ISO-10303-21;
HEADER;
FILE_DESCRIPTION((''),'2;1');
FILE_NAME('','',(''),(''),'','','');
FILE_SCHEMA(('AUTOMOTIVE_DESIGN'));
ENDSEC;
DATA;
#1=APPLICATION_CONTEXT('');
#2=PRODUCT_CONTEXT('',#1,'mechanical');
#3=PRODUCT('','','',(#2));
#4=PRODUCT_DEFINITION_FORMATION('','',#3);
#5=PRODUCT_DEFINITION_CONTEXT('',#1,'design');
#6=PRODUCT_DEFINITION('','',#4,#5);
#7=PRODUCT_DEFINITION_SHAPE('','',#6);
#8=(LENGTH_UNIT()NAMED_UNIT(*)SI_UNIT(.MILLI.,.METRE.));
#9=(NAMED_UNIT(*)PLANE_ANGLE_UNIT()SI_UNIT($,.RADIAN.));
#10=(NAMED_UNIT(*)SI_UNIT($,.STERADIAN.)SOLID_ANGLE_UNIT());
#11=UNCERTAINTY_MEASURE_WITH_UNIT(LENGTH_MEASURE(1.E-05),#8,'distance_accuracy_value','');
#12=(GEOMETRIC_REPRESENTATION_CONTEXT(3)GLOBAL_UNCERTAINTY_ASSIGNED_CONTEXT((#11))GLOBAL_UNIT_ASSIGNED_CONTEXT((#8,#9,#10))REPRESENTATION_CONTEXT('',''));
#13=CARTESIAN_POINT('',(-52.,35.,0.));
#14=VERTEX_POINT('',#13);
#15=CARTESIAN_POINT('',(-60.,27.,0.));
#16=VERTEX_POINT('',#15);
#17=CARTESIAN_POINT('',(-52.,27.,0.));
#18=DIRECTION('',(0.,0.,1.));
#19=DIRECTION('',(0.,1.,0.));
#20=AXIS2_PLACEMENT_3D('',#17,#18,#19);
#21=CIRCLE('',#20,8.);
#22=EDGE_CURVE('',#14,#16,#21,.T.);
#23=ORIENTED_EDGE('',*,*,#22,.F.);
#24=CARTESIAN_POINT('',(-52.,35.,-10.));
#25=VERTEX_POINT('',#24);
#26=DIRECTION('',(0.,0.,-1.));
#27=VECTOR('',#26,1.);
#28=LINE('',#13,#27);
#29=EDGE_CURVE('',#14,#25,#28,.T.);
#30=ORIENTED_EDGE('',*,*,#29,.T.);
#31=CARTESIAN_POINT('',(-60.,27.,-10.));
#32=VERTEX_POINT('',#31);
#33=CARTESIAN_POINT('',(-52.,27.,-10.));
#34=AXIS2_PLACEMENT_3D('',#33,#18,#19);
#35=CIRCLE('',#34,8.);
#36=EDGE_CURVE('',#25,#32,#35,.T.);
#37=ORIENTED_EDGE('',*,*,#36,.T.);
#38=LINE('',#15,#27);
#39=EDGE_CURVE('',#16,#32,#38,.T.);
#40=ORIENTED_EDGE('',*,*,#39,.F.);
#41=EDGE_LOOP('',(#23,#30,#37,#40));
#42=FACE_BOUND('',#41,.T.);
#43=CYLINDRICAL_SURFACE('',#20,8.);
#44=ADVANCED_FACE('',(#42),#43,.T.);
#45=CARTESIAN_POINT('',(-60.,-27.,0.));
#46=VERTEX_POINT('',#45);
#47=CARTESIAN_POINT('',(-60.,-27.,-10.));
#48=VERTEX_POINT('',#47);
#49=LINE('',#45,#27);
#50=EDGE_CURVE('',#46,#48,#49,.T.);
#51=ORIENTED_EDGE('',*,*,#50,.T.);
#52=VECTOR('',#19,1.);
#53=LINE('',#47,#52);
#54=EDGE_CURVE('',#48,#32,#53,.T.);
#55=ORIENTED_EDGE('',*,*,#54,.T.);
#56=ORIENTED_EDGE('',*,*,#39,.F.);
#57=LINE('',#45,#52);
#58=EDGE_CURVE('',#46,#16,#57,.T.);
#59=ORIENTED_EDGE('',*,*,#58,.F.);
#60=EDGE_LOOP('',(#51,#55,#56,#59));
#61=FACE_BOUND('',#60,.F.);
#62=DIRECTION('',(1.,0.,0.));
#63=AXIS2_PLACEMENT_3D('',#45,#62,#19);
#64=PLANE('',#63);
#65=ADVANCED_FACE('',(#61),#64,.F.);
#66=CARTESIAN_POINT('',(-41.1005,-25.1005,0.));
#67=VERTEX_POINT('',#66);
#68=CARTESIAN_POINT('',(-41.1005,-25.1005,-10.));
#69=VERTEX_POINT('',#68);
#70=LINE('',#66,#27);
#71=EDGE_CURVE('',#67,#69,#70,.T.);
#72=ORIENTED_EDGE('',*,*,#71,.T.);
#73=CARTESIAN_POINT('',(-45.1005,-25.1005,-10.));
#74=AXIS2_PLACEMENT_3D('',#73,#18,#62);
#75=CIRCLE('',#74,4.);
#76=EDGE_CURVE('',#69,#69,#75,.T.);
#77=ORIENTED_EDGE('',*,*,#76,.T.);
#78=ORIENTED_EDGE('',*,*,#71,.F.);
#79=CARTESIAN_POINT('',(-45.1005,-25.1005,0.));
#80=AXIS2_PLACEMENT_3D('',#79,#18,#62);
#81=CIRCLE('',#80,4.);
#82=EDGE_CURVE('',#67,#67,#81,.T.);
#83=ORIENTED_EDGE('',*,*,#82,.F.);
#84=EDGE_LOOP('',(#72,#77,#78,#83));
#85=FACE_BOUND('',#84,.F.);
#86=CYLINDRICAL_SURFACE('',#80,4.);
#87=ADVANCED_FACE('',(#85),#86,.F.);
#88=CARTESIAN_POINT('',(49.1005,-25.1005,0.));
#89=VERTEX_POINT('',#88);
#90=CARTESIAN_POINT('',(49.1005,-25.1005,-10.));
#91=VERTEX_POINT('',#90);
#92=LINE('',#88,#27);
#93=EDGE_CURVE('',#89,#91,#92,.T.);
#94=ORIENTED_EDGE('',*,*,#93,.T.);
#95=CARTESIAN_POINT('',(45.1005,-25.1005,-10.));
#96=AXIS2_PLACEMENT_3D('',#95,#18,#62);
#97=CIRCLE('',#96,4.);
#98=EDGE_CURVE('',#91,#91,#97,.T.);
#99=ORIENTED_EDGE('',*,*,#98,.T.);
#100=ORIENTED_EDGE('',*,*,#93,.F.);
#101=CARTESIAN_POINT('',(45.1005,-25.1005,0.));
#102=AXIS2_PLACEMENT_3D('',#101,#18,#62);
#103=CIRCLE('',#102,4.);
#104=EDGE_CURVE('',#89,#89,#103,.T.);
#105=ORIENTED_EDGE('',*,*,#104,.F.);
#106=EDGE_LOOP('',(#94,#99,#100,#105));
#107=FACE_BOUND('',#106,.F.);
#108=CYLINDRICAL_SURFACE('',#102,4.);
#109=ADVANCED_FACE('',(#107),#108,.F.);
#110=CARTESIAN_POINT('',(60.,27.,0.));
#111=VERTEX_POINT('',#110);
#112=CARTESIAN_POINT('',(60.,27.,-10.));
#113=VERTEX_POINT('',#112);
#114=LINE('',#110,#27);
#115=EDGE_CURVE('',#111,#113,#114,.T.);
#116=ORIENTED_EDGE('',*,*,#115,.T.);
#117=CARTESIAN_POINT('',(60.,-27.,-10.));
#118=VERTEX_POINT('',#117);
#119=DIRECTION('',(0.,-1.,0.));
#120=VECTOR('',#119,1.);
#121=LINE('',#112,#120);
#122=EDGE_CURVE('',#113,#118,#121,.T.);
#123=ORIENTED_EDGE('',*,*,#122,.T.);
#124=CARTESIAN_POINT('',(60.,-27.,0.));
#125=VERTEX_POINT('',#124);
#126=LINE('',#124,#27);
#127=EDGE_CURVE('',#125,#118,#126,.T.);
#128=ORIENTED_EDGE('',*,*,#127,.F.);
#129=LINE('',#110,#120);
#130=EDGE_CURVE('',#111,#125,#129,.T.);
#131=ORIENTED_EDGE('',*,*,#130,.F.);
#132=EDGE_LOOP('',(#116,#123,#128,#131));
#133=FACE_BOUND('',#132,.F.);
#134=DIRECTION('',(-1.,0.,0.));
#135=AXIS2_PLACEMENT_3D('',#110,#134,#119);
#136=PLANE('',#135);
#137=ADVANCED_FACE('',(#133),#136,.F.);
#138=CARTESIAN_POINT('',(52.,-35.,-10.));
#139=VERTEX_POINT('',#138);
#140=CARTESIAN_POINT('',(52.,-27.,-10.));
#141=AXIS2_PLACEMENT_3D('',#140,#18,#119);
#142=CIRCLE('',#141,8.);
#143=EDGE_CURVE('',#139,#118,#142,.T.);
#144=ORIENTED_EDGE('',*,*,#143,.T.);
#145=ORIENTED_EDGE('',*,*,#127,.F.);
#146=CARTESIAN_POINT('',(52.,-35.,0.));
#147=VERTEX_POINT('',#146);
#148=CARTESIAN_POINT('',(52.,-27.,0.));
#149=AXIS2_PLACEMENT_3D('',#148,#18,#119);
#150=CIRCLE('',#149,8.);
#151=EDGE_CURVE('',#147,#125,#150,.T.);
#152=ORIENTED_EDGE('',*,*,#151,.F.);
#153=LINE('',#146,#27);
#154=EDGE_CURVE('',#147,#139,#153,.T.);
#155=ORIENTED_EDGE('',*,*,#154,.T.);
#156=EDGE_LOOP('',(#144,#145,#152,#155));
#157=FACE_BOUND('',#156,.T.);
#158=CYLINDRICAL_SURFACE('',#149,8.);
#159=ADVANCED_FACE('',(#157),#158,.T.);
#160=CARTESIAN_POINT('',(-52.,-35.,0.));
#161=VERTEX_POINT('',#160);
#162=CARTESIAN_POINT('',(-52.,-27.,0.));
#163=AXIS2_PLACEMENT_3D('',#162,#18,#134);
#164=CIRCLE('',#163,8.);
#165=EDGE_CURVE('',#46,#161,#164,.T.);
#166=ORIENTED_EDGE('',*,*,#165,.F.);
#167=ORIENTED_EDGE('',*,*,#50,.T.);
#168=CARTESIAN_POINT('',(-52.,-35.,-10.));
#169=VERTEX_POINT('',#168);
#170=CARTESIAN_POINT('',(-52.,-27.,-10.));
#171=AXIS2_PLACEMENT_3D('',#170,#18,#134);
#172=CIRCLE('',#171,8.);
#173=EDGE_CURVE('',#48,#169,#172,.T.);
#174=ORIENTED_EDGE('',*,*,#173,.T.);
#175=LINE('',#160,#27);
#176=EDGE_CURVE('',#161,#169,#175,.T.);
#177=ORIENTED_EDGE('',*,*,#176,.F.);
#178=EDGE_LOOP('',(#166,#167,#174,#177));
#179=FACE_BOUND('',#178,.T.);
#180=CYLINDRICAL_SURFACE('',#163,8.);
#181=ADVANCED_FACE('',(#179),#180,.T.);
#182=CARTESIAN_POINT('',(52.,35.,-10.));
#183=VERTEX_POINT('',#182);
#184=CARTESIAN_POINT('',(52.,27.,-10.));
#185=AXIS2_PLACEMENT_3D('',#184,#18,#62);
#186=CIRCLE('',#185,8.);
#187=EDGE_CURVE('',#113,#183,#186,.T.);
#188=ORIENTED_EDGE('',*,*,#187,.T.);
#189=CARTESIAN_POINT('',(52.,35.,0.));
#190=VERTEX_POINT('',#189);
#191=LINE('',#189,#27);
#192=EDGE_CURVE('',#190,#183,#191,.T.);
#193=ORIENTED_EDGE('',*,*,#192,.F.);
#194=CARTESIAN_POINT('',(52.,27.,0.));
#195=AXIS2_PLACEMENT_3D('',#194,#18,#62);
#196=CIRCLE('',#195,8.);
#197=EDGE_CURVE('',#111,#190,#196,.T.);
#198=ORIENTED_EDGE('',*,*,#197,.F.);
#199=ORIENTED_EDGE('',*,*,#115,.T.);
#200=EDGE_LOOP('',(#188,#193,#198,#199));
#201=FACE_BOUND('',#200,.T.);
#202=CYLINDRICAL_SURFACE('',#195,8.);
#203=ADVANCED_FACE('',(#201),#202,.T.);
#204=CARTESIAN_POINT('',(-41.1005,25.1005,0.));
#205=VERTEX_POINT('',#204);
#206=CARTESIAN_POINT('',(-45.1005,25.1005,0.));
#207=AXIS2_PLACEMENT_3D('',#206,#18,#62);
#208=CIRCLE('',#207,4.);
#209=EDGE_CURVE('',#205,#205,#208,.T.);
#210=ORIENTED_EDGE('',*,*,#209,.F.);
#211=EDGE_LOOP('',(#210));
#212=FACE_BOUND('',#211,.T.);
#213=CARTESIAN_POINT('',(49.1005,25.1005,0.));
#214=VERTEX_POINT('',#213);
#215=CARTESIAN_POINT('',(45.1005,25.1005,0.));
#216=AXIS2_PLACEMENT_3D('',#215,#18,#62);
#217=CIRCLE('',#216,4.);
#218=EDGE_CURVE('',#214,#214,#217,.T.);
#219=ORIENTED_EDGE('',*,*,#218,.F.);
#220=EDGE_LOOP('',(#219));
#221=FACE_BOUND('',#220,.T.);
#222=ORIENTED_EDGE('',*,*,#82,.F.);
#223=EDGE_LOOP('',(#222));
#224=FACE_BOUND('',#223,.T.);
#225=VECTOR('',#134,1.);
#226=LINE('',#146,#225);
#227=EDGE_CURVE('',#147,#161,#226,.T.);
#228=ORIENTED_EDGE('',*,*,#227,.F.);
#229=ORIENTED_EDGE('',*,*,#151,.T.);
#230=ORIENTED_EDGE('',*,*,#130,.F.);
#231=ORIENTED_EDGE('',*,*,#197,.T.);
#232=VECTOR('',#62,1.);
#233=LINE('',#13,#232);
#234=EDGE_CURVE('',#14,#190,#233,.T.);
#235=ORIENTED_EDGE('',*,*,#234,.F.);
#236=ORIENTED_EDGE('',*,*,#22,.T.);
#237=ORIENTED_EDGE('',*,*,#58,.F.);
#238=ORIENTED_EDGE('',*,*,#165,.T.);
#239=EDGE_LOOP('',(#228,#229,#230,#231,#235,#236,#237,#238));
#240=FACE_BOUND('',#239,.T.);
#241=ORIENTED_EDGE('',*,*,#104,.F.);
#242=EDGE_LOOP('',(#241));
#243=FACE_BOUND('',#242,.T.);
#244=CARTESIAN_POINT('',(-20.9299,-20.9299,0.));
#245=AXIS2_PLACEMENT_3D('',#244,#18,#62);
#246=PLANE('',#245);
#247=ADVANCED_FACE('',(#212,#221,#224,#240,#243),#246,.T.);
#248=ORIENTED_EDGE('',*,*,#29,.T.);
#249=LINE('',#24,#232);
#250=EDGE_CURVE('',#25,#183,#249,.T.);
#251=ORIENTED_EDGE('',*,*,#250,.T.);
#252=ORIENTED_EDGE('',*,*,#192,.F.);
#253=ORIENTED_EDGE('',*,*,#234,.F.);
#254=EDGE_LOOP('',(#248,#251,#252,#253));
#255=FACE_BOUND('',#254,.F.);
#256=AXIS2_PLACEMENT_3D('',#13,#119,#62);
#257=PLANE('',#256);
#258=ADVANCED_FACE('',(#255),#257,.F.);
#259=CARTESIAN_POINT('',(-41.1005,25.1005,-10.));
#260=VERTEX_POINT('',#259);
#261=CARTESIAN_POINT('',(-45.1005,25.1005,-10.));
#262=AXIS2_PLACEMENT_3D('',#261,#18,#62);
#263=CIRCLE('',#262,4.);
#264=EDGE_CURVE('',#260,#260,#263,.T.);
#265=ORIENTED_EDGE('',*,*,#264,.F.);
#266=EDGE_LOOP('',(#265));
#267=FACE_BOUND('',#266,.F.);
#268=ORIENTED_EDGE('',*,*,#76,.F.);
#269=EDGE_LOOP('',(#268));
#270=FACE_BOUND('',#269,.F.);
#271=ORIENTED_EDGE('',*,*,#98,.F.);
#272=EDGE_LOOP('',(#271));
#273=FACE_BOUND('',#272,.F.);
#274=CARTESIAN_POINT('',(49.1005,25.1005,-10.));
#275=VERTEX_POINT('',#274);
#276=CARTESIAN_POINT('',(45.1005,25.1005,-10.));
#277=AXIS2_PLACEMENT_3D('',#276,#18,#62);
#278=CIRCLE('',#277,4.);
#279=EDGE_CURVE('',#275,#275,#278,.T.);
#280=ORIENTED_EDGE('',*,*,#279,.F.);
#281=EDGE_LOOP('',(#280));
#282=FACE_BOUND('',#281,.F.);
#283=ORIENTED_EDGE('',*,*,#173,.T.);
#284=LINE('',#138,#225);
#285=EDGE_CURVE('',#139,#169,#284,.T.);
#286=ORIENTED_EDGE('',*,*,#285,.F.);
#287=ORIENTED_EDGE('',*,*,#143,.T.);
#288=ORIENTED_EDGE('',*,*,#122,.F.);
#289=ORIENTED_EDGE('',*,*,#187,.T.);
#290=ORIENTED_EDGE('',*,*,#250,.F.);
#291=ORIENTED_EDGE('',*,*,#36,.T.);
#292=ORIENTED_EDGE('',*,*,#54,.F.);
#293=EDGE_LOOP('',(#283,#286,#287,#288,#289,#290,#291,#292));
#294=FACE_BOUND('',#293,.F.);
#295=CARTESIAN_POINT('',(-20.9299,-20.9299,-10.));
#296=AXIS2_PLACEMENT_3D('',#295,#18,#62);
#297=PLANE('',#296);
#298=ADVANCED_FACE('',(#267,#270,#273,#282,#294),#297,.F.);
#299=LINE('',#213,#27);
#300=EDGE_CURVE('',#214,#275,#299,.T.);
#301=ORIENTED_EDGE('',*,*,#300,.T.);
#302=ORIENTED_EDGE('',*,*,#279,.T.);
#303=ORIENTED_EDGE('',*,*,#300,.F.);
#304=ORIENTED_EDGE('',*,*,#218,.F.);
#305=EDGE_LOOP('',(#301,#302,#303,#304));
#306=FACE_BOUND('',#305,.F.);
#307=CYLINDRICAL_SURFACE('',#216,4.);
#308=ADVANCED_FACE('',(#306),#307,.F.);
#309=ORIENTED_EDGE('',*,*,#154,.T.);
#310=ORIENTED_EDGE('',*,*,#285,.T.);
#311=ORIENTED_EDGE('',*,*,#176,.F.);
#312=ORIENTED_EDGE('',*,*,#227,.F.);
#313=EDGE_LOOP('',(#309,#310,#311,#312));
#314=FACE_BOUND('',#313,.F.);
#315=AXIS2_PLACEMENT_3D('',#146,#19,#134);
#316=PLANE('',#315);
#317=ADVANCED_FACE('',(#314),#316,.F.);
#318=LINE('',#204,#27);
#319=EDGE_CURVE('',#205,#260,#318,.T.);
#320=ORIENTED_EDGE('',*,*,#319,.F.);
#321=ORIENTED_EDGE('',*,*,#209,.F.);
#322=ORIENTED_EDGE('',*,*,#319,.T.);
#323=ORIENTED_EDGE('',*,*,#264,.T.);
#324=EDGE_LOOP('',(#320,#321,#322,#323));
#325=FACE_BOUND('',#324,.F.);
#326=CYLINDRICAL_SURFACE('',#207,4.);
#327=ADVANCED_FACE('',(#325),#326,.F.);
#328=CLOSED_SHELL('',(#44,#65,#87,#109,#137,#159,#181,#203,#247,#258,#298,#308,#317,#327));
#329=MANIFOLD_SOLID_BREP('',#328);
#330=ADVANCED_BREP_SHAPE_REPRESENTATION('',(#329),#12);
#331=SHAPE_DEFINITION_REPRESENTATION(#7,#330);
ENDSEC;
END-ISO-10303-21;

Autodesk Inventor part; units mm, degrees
ref_plane "YZ Plane" through (0, 0, 0) normal (1, 0, 0) x (0, 1, 0)
ref_plane "XZ Plane" through (0, 0, 0) normal (0, 1, 0) x (-1, 0, 0)
ref_plane "Arbeitsebene1" through (-20.9299, -20.9299, 0) normal (0, 0, 1) x (1, 0, 0)
sketch "Skizze1" plane through (-20.9299, -20.9299, 0) normal (0, 0, 1) x (1, 0, 0)
  line L0 (20.9299, -14.0701) -> (20.9299, 18.6776) construction
  arc A0 (20.9299, 18.6776) -> (20.396, 18.5231) centre (20.9299, 17.6776) ccw construction
  line L1 (20.396, 18.5231) -> (14.9332, 15.0736) construction
  arc A1 (13.0645, 18.033) -> (14.9332, 15.0736) centre (13.9988, 16.5533) ccw construction
  line L2 (13.0645, 18.033) -> (16.3132, 20.0844) construction
  arc A2 (16.3132, 20.0844) -> (16.3132, 21.7755) centre (15.7793, 20.9299) ccw construction
  line L3 (16.3132, 21.7755) -> (13.0645, 23.8269) construction
  arc A3 (14.9332, 26.7863) -> (13.0645, 23.8269) centre (13.9988, 25.3066) ccw construction
  line L4 (14.9332, 26.7863) -> (20.396, 23.3368) construction
  arc A4 (20.396, 23.3368) -> (21.4638, 23.3368) centre (20.9299, 24.1823) ccw construction
  line L5 (21.4638, 23.3368) -> (26.9267, 26.7863) construction
  arc A5 (28.7954, 23.8269) -> (26.9267, 26.7863) centre (27.861, 25.3066) ccw construction
  line L6 (28.7954, 23.8269) -> (25.5466, 21.7755) construction
  arc A6 (25.5466, 21.7755) -> (25.0805, 20.9299) centre (26.0805, 20.9299) ccw construction
  line L7 (25.0805, 20.9299) -> (68.3299, 20.9299) construction
  arc A7 (73.5299, 20.9299) -> (68.3299, 20.9299) centre (70.9299, 20.9299) ccw construction
  line L8 (73.5299, 20.9299) -> (80.9299, 20.9299) construction
  line L9 (80.9299, 20.9299) -> (80.9299, 47.9299) construction
  arc A8 (80.9299, 47.9299) -> (72.9299, 55.9299) centre (72.9299, 47.9299) ccw construction
  line L10 (72.9299, 55.9299) -> (-31.0701, 55.9299) construction
  arc A9 (-31.0701, 55.9299) -> (-39.0701, 47.9299) centre (-31.0701, 47.9299) ccw construction
  line L11 (-39.0701, 47.9299) -> (-39.0701, -6.0701) construction
  arc A10 (-39.0701, -6.0701) -> (-31.0701, -14.0701) centre (-31.0701, -6.0701) ccw construction
  line L12 (-31.0701, -14.0701) -> (20.9299, -14.0701) construction
  circle A11 centre (66.0304, 46.0304) radius 4.5 construction
  line L13 (39.6792, 34.7549) -> (74.3619, 34.7549) construction
  line L14 (74.3619, 34.7549) -> (74.3619, 33.2249) construction
  line L15 (74.3619, 33.2249) -> (39.6792, 33.2249) construction
  arc A12 (37.6256, 34.6486) -> (39.6792, 33.2249) centre (39.6792, 35.4179) ccw construction
  arc A13 (37.6256, 34.6486) -> (32.6949, 33.7349) centre (35.2449, 33.7349) ccw construction
  line L16 (32.6949, 33.7349) -> (32.6949, 28.1249) construction
  arc A14 (32.6949, 28.1249) -> (35.2449, 25.5749) centre (35.2449, 28.1249) ccw construction
  arc A15 (35.2449, 25.5749) -> (37.629, 27.2201) centre (35.2449, 28.1249) ccw construction
  arc A16 (39.6792, 28.6349) -> (37.629, 27.2201) centre (39.6793, 26.4419) ccw construction
  line L17 (39.6792, 28.6349) -> (39.8859, 28.6349) construction
  line L18 (39.8859, 28.6349) -> (74.3619, 28.6349) construction
  line L19 (74.3619, 28.6349) -> (74.3619, 27.1049) construction
  line L20 (74.3619, 27.1049) -> (39.6792, 27.1049) construction
  arc A17 (39.6792, 27.1049) -> (39.0618, 26.6833) centre (39.6792, 26.4419) ccw construction
  arc A18 (31.1649, 28.1249) -> (39.0618, 26.6833) centre (35.2449, 28.1249) ccw construction
  line L21 (31.1649, 28.1249) -> (31.1649, 33.7349) construction
  arc A19 (39.0618, 35.1765) -> (31.1649, 33.7349) centre (35.2449, 33.7349) ccw construction
  arc A20 (39.0618, 35.1765) -> (39.6792, 34.7549) centre (39.6792, 35.4179) ccw construction
  line L22 (2.1806, 27.1049) -> (-32.5021, 27.1049) construction
  line L23 (-32.5021, 27.1049) -> (-32.5021, 28.6349) construction
  line L24 (-32.5021, 28.6349) -> (2.1806, 28.6349) construction
  arc A21 (4.2342, 27.2113) -> (2.1806, 28.6349) centre (2.1806, 26.4419) ccw construction
  arc A22 (4.2342, 27.2113) -> (9.1649, 28.1249) centre (6.6149, 28.1249) ccw construction
  line L25 (9.1649, 28.1249) -> (9.1649, 33.7349) construction
  arc A23 (9.1649, 33.7349) -> (6.6149, 36.2849) centre (6.6149, 33.7349) ccw construction
  arc A24 (6.6149, 36.2849) -> (4.2309, 34.6398) centre (6.6149, 33.7349) ccw construction
  arc A25 (2.1806, 33.2249) -> (4.2309, 34.6398) centre (2.1806, 35.4179) ccw construction
  line L26 (2.1806, 33.2249) -> (1.9739, 33.2249) construction
  line L27 (1.9739, 33.2249) -> (-32.5021, 33.2249) construction
  line L28 (-32.5021, 33.2249) -> (-32.5021, 34.7549) construction
  line L29 (-32.5021, 34.7549) -> (2.1806, 34.7549) construction
  arc A26 (2.1806, 34.7549) -> (2.7981, 35.1765) centre (2.1806, 35.4179) ccw construction
  arc A27 (10.6949, 33.7349) -> (2.7981, 35.1765) centre (6.6149, 33.7349) ccw construction
  line L30 (10.6949, 33.7349) -> (10.6949, 28.1249) construction
  arc A28 (2.7981, 26.6833) -> (10.6949, 28.1249) centre (6.6149, 28.1249) ccw construction
  arc A29 (2.7981, 26.6833) -> (2.1806, 27.1049) centre (2.1806, 26.4419) ccw construction
  line L31 (2.1806, 7.1049) -> (-32.5021, 7.1049) construction
  line L32 (-32.5021, 7.1049) -> (-32.5021, 8.6349) construction
  line L33 (-32.5021, 8.6349) -> (2.1806, 8.6349) construction
  arc A30 (4.2342, 7.2113) -> (2.1806, 8.6349) centre (2.1806, 6.4419) ccw construction
  arc A31 (4.2342, 7.2113) -> (9.1649, 8.1249) centre (6.6149, 8.1249) ccw construction
  line L34 (9.1649, 8.1249) -> (9.1649, 13.7349) construction
  arc A32 (9.1649, 13.7349) -> (6.6149, 16.2849) centre (6.6149, 13.7349) ccw construction
  arc A33 (6.6149, 16.2849) -> (4.2309, 14.6398) centre (6.6149, 13.7349) ccw construction
  arc A34 (2.1806, 13.2249) -> (4.2309, 14.6398) centre (2.1806, 15.4179) ccw construction
  line L35 (2.1806, 13.2249) -> (1.9739, 13.2249) construction
  line L36 (1.9739, 13.2249) -> (-32.5021, 13.2249) construction
  line L37 (-32.5021, 13.2249) -> (-32.5021, 14.7549) construction
  line L38 (-32.5021, 14.7549) -> (2.1806, 14.7549) construction
  arc A35 (2.1806, 14.7549) -> (2.7981, 15.1765) centre (2.1806, 15.4179) ccw construction
  arc A36 (10.6949, 13.7349) -> (2.7981, 15.1765) centre (6.6149, 13.7349) ccw construction
  line L39 (10.6949, 13.7349) -> (10.6949, 8.1249) construction
  arc A37 (2.7981, 6.6833) -> (10.6949, 8.1249) centre (6.6149, 8.1249) ccw construction
  arc A38 (2.7981, 6.6833) -> (2.1806, 7.1049) centre (2.1806, 6.4419) ccw construction
  circle A39 centre (-24.1706, -4.1706) radius 4.5 construction
  circle A40 centre (-24.1706, 46.0304) radius 4.5 construction
  circle A41 centre (-29.0701, 20.9299) radius 2.6 construction
  circle A42 centre (-24.1706, 46.0304) radius 4 construction
  circle A43 centre (66.0304, 46.0304) radius 4 construction
  circle A44 centre (-24.1706, -4.1706) radius 4 construction
  line L40 (-31.0701, 55.9299) -> (72.9299, 55.9299)
  line L41 (80.9299, 47.9299) -> (80.9299, -6.0701)
  line L42 (72.9299, -14.0701) -> (-31.0701, -14.0701)
  line L43 (-39.0701, -6.0701) -> (-39.0701, 47.9299)
  circle A45 centre (-24.1706, 46.0304) radius 4
  circle A46 centre (66.0304, 46.0304) radius 4
  circle A47 centre (-24.1706, -4.1706) radius 4
  circle A48 centre (66.0304, -4.1706) radius 4
  arc A49 (-31.0701, 55.9299) -> (-39.0701, 47.9299) centre (-31.0701, 47.9299) ccw
  arc A50 (80.9299, 47.9299) -> (72.9299, 55.9299) centre (72.9299, 47.9299) ccw
  arc A51 (72.9299, -14.0701) -> (80.9299, -6.0701) centre (72.9299, -6.0701) ccw
  arc A52 (-39.0701, -6.0701) -> (-31.0701, -14.0701) centre (-31.0701, -6.0701) ccw
  point P0 (20.9299, 20.9299)
  dimension "d0" = 8
ref_plane "Arbeitsebene2" through (-60, -35, -10) normal (0, 0, -1) x (0, 1, 0)
extrude "Extrusion1" add sketch "Skizze1" against normal up to surface (10 mm away)
properties part number "Mold_front_insert_0"
